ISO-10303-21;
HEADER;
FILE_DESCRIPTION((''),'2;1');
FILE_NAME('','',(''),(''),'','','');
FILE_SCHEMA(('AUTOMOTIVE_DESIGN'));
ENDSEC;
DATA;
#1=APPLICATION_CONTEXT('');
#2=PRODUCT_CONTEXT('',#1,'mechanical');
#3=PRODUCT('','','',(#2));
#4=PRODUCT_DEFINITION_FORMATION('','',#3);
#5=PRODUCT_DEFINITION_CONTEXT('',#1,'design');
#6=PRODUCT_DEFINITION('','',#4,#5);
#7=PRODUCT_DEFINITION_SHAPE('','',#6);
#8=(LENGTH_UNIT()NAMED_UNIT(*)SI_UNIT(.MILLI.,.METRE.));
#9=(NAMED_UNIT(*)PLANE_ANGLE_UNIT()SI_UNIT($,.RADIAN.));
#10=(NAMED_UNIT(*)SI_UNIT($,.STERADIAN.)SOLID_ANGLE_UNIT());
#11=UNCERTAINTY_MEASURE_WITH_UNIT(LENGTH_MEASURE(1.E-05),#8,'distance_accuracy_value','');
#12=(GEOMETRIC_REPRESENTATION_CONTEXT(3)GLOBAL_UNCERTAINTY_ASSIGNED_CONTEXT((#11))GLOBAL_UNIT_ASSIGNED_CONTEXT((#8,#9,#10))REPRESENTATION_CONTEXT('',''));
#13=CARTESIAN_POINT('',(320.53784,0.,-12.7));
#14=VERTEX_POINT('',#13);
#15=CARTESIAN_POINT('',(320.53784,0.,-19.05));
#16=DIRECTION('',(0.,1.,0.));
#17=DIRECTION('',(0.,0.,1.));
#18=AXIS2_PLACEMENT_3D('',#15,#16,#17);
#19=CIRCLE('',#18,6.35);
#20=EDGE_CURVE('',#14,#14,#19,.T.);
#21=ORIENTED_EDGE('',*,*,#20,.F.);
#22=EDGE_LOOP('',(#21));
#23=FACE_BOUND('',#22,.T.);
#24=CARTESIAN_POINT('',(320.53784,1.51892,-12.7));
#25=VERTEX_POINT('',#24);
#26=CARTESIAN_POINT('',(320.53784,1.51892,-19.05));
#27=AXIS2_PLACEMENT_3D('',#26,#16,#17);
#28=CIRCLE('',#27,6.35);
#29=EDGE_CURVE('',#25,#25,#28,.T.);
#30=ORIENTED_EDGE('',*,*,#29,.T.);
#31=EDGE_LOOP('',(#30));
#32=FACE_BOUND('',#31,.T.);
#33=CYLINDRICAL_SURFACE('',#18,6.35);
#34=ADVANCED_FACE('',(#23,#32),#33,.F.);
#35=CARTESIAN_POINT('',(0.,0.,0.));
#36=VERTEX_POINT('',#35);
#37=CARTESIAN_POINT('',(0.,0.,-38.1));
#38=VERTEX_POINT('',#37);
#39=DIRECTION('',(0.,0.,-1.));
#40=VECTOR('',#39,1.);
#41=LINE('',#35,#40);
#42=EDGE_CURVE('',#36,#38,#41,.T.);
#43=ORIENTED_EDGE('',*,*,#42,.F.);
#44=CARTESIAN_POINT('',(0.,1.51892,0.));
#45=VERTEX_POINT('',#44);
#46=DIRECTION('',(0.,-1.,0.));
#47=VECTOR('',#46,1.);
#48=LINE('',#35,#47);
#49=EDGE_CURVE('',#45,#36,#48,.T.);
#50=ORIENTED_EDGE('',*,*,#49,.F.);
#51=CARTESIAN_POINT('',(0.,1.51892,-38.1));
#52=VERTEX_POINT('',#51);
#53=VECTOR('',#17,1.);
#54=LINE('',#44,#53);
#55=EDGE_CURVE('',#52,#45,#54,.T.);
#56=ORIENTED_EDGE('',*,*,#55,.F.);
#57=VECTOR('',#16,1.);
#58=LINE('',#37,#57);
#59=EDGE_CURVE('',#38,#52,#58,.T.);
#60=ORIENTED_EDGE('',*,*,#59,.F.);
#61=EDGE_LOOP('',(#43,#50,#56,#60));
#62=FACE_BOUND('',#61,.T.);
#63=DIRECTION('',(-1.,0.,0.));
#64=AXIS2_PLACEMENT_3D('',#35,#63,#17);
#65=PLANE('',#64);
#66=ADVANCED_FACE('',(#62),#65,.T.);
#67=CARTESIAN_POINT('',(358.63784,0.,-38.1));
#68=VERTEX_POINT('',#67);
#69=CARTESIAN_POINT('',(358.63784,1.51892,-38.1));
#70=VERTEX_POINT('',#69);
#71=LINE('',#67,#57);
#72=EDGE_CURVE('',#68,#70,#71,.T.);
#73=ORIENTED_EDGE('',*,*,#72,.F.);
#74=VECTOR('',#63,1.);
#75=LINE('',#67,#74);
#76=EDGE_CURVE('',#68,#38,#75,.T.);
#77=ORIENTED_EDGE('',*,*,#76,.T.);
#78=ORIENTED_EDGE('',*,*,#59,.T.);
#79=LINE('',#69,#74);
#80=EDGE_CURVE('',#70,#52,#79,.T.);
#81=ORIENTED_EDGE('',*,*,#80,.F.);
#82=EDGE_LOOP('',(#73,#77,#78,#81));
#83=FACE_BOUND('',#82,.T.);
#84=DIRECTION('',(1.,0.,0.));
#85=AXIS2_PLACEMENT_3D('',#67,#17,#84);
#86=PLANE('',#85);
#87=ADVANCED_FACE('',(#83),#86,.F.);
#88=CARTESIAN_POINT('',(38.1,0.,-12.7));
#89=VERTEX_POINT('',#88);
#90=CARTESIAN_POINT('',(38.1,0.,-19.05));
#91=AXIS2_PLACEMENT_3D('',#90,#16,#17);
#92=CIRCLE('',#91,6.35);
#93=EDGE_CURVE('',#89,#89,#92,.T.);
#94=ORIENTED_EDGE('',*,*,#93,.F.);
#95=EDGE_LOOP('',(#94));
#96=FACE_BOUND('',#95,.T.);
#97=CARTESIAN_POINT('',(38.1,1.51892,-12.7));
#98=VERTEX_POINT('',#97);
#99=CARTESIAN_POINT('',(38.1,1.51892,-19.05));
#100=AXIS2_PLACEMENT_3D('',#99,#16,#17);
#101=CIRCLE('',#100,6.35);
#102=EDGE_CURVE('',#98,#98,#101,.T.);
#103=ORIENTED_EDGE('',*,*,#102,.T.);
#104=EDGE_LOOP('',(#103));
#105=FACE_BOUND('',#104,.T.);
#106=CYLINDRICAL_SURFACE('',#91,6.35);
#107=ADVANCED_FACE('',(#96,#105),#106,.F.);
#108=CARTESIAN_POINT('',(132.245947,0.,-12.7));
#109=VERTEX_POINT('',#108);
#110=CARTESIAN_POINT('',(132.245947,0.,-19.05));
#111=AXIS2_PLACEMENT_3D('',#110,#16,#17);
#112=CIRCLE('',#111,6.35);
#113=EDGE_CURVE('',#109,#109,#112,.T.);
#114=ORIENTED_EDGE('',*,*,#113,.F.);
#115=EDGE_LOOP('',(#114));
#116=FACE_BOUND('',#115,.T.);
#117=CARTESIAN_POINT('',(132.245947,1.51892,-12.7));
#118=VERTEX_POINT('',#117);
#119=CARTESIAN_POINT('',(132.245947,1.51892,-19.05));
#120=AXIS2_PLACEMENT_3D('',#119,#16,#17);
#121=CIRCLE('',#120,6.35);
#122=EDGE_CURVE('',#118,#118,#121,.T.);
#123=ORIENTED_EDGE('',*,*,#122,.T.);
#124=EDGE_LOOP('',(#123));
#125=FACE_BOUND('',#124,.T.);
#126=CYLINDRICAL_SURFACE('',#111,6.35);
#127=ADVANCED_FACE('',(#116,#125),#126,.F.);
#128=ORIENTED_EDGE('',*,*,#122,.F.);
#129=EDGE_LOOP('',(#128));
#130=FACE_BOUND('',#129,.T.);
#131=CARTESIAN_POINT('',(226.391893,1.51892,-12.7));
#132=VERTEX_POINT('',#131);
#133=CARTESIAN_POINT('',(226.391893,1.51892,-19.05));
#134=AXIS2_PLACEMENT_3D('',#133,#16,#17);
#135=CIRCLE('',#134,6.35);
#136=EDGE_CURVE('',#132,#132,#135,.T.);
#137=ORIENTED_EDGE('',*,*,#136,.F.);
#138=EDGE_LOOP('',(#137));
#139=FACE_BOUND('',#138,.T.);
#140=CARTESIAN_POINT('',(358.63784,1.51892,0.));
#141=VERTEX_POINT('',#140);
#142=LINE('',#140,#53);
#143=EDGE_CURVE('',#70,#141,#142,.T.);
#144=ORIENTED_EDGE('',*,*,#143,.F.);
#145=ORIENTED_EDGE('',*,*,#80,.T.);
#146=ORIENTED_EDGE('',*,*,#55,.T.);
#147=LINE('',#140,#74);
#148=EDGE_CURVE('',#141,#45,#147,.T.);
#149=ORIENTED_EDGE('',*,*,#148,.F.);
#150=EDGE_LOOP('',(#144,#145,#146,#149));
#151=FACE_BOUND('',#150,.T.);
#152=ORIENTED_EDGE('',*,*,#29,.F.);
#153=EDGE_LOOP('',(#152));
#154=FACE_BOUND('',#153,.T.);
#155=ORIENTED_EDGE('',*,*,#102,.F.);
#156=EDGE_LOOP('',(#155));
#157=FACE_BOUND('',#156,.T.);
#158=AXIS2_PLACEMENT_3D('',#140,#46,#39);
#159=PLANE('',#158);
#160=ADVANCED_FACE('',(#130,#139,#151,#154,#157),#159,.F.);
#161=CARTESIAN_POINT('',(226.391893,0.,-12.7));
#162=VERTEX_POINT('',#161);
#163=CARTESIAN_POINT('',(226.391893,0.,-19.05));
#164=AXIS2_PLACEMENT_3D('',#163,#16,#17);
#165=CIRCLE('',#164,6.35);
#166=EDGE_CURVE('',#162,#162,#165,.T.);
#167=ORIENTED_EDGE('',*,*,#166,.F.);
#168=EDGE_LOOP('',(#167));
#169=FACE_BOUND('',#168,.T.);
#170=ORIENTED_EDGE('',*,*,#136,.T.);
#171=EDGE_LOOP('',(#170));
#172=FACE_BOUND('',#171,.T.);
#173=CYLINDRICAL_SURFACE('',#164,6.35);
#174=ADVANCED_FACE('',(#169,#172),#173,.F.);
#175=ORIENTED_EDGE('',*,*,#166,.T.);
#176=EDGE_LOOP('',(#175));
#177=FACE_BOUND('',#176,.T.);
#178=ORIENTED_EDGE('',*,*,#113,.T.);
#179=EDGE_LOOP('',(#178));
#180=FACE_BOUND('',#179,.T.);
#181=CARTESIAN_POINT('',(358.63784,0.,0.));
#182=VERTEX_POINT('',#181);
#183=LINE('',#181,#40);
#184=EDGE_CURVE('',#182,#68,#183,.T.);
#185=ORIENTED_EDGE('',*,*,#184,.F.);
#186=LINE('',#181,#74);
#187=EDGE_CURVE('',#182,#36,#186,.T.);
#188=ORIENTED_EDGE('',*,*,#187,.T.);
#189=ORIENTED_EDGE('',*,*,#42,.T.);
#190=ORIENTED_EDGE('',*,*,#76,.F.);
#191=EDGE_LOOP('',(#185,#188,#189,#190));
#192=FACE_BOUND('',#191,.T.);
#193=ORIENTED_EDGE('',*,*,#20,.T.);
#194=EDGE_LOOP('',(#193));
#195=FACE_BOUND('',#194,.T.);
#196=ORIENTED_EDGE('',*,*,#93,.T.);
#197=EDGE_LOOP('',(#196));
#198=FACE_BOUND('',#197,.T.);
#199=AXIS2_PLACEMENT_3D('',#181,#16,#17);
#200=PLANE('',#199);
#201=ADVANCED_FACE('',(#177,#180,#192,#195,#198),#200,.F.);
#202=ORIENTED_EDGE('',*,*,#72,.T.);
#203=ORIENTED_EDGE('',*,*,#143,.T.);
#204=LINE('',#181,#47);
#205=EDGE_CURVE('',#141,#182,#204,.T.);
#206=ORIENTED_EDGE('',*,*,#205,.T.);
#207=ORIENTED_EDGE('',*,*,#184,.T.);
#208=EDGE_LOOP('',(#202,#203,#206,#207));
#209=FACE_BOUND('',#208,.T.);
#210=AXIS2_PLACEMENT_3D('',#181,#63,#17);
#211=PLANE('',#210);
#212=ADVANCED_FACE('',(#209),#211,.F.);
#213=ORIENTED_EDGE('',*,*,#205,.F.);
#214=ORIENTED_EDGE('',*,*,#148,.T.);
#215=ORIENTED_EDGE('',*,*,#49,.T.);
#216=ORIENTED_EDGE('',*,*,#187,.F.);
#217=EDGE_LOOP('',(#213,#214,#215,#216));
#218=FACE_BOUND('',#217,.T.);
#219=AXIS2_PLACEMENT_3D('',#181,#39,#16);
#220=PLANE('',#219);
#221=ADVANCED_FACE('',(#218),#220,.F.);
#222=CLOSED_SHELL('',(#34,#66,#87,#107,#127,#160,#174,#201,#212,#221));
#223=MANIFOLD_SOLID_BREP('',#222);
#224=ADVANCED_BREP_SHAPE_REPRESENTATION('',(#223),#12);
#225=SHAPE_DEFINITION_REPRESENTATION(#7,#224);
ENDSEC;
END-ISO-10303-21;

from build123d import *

# Parameters (mm, degrees)
SKETCH1_W           = 38.1
SKETCH1_H           = 1.51892
BOSS_EXTRUDE1_DEPTH = 358.63784
SKETCH3_R           = 6.35
CUT_EXTRUDE1_DEPTH  = 2.51892


with BuildPart() as part:
    # Sketch1 → Boss-Extrude1 (new body)
    with BuildSketch(Plane(origin=(0, 0, 0), x_dir=(0, 0, -1), z_dir=(1, 0, 0))):
        with Locations((19.05, 0.75946)):
            Rectangle(SKETCH1_W, SKETCH1_H)
    extrude(amount=BOSS_EXTRUDE1_DEPTH)

    # Sketch3 → Cut-Extrude1 (cut, through all)
    with BuildSketch(Plane(origin=(0, 1.51892, 0), x_dir=(1, 0, 0), z_dir=(0, 1, 0))):
        with Locations((132.245946667, 19.05)):
            Circle(SKETCH3_R)
        with Locations((226.391893333, 19.05)):
            Circle(SKETCH3_R)
        with Locations((320.53784, 19.05)):
            Circle(SKETCH3_R)
        with Locations((38.1, 19.05)):
            Circle(SKETCH3_R)
    extrude(amount=-CUT_EXTRUDE1_DEPTH, mode=Mode.SUBTRACT)


solid = part.part
